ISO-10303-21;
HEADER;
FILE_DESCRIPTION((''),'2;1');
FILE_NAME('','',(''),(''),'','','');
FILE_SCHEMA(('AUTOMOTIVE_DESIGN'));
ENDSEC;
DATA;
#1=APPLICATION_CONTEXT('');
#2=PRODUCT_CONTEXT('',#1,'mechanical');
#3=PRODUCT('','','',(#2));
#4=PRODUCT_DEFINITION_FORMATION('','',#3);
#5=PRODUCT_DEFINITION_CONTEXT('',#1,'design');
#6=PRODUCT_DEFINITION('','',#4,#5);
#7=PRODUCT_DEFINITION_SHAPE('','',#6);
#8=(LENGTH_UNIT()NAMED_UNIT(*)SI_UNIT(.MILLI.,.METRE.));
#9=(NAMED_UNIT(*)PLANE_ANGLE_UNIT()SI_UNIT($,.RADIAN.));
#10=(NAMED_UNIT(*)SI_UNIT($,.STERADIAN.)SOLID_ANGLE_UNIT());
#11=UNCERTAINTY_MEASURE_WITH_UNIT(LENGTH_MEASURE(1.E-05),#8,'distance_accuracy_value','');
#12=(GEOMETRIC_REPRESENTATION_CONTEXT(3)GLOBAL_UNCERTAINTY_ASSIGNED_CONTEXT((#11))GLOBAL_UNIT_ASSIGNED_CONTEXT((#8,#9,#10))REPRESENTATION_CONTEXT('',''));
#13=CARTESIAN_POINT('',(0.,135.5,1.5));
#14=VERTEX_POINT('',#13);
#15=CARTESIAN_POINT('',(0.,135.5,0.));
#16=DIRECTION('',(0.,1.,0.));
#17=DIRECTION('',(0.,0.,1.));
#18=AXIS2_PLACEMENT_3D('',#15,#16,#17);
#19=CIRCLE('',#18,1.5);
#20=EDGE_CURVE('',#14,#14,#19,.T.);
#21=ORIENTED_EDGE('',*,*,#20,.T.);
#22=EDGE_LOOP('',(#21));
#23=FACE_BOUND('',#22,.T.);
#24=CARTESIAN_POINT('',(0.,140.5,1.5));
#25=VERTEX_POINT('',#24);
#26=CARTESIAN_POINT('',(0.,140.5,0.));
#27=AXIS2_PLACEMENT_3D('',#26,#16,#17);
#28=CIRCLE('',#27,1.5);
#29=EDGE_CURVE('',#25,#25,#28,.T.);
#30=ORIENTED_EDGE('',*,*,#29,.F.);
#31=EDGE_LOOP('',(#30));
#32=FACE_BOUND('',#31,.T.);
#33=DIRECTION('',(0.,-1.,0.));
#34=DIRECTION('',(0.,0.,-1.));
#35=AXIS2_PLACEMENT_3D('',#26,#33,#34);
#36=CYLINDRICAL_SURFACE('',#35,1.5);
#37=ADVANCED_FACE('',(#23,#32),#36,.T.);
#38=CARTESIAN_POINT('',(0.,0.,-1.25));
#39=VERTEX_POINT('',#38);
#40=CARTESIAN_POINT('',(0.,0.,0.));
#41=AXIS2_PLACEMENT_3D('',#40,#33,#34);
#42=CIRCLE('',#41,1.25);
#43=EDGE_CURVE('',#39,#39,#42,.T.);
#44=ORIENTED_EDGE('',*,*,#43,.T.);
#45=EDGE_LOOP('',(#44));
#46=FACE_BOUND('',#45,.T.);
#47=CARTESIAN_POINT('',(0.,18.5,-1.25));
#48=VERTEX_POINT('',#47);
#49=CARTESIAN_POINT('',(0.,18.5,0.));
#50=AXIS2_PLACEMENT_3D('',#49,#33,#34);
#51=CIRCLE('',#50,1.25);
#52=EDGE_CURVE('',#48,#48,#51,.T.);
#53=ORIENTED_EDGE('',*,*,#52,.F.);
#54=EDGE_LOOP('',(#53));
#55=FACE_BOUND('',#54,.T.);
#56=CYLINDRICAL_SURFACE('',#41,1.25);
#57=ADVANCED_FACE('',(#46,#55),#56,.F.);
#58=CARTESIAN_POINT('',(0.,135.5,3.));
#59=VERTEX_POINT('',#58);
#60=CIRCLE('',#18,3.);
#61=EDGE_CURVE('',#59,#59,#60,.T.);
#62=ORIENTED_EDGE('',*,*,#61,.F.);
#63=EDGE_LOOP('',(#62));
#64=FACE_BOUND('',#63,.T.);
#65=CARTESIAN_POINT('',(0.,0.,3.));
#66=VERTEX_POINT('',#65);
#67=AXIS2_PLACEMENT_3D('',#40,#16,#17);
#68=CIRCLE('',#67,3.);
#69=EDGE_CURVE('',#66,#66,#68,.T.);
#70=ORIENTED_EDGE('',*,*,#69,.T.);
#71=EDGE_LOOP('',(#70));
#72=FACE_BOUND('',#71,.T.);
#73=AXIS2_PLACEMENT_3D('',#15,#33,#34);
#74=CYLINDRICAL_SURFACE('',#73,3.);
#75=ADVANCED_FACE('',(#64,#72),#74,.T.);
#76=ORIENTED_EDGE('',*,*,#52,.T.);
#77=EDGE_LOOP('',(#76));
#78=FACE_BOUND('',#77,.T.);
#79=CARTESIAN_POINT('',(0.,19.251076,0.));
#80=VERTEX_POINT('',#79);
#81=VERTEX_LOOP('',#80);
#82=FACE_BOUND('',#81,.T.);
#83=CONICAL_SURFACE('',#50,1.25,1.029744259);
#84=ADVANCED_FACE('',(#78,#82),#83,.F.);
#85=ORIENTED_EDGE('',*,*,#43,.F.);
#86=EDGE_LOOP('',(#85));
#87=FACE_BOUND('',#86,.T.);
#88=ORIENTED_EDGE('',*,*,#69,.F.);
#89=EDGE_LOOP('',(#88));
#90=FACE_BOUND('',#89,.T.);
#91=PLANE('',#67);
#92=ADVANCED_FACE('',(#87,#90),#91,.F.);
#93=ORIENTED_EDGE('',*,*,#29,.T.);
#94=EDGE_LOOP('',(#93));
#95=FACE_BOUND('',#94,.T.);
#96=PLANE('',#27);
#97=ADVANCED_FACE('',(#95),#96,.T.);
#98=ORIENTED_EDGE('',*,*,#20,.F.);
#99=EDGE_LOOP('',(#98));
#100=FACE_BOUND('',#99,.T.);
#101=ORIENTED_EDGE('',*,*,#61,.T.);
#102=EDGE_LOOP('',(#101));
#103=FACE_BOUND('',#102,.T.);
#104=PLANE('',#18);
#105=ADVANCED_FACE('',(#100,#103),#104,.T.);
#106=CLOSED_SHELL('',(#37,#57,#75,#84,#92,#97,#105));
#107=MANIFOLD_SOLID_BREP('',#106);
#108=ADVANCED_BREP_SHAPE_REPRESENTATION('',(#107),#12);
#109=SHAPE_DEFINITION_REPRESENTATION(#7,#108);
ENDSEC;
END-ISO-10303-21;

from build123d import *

# Parameters (mm, degrees)
ESBO_O1_R                     = 3
RESSALTO_EXTRUS_O1_DEPTH      = 135.5
FURO_ROSCADO_DE_M3X0_51_D     = 2.5
FURO_ROSCADO_DE_M3X0_51_DEPTH = 18.5
FURO_ROSCADO_DE_M3X0_51_TIP   = 0.751075774
ESBO_O10_R                    = 1.5
RESSALTO_EXTRUS_O2_DEPTH      = 5


with BuildPart() as part:
    # Esboço1 → Ressalto-extrusão1 (new body)
    with BuildSketch(Plane(origin=(0, 0, 0), x_dir=(1, 0, 0), z_dir=(0, 1, 0))):
        Circle(ESBO_O1_R)
    extrude(amount=RESSALTO_EXTRUS_O1_DEPTH)

    # Furo roscado de M3x0.51
    with Locations(Plane.XZ):
        with Locations((0, 0)):
            Hole(FURO_ROSCADO_DE_M3X0_51_D / 2, depth=FURO_ROSCADO_DE_M3X0_51_DEPTH)
            with Locations((0, 0, -(FURO_ROSCADO_DE_M3X0_51_DEPTH + FURO_ROSCADO_DE_M3X0_51_TIP / 2))):  # 118° drill point
                Cone(0, FURO_ROSCADO_DE_M3X0_51_D / 2, FURO_ROSCADO_DE_M3X0_51_TIP, mode=Mode.SUBTRACT)

    # Esboço10 → Ressalto-extrusão2 (add)
    with BuildSketch(Plane(origin=(0, 135.5, 0), x_dir=(1, 0, 0), z_dir=(0, 1, 0))):
        Circle(ESBO_O10_R)
    extrude(amount=RESSALTO_EXTRUS_O2_DEPTH)


solid = part.part
